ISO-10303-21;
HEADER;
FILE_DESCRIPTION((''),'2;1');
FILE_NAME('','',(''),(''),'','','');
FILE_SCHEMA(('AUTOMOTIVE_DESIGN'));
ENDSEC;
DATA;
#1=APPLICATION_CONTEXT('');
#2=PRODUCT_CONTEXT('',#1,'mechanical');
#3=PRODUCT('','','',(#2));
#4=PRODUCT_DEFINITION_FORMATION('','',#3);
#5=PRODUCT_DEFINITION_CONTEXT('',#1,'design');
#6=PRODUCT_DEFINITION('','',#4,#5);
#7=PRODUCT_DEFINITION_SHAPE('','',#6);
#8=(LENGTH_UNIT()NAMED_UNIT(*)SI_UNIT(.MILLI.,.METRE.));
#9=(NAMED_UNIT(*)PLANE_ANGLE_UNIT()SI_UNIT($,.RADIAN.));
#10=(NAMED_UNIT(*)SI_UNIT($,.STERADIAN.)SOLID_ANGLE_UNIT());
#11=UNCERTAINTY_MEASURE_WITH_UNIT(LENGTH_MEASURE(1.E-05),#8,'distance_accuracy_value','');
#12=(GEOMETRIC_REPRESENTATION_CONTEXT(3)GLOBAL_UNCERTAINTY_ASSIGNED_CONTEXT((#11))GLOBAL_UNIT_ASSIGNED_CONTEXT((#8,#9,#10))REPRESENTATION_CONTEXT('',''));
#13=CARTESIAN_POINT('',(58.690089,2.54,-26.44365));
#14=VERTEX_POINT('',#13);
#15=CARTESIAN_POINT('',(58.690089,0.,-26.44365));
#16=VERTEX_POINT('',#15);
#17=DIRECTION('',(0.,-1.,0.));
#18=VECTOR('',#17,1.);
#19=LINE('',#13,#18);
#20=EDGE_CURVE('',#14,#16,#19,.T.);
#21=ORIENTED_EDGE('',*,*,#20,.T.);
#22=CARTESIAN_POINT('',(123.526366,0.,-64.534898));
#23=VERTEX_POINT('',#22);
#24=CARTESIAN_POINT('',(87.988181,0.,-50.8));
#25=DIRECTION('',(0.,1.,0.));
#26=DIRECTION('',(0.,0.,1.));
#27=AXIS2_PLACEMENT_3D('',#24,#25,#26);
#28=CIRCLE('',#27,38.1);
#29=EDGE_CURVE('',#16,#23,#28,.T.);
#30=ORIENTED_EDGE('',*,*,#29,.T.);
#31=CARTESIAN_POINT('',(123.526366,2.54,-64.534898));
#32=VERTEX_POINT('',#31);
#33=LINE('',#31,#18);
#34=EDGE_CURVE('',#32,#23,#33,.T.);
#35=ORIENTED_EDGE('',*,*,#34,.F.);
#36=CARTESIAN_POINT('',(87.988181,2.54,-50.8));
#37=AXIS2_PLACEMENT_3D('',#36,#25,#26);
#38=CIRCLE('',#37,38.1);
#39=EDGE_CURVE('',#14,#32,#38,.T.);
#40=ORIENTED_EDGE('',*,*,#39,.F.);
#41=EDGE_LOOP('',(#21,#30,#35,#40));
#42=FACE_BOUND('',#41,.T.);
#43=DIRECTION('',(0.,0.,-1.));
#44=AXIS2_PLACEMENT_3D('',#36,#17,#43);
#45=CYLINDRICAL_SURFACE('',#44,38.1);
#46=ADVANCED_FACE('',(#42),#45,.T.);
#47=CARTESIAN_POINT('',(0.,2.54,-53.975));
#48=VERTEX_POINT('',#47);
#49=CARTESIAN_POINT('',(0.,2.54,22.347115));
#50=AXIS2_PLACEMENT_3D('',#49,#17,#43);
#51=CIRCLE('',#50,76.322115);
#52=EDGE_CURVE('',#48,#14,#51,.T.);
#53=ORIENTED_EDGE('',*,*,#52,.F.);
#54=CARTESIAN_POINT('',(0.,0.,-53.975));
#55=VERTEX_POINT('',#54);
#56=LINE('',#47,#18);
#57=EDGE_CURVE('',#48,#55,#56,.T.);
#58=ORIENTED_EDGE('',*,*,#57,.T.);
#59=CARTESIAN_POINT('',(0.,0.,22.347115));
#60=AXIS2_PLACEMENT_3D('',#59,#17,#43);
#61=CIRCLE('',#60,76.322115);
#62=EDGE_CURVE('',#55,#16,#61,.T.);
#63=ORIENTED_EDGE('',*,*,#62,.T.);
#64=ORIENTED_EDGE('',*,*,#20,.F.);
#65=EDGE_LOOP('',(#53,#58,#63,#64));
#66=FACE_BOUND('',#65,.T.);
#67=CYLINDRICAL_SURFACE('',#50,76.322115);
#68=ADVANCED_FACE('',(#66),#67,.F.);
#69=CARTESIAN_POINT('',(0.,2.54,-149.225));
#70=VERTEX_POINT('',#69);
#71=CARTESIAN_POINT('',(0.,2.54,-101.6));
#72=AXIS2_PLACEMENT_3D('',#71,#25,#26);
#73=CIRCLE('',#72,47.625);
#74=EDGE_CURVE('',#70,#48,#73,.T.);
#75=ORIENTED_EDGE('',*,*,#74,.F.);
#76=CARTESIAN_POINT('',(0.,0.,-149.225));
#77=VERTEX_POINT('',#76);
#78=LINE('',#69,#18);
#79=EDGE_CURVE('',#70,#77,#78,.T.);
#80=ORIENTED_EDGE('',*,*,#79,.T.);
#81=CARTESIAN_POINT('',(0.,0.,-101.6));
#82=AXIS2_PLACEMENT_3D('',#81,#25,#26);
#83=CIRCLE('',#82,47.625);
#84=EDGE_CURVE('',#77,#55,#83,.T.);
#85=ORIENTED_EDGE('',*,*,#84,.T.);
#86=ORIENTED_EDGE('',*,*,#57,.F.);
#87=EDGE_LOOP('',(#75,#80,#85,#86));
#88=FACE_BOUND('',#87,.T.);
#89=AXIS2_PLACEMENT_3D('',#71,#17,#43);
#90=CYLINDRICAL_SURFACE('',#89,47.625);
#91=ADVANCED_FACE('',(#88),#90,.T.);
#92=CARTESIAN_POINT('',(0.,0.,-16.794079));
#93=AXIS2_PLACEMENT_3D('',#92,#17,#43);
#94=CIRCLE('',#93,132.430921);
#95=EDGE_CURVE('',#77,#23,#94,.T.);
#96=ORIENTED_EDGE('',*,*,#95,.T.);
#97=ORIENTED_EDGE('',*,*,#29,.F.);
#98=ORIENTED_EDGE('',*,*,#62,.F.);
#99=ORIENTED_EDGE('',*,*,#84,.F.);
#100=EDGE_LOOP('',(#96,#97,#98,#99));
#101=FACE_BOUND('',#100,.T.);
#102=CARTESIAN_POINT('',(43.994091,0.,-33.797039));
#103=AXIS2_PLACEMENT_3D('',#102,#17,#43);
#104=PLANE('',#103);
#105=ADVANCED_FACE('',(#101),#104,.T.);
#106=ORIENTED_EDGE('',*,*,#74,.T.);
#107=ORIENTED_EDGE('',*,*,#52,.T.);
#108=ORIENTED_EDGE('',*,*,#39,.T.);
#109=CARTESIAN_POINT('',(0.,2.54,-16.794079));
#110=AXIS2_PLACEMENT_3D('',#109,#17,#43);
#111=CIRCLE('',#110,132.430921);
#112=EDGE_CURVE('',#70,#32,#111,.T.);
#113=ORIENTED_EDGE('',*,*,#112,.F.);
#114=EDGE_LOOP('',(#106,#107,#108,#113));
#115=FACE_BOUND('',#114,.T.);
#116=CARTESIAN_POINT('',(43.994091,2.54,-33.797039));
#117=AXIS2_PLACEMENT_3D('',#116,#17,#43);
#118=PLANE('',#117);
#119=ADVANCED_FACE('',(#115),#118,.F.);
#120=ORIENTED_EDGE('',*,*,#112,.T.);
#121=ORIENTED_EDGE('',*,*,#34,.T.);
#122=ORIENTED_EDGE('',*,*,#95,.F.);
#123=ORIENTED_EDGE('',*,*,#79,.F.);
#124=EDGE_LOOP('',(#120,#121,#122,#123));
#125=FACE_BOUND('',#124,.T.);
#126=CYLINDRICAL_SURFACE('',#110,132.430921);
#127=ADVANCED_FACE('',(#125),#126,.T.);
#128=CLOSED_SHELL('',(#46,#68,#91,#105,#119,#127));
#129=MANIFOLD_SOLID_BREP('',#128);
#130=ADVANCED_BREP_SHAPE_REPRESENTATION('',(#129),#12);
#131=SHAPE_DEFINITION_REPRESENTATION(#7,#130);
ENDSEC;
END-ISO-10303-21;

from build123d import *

# Parameters (mm, degrees)
BOSS_EXTRUDE1_DEPTH = 2.54


with BuildPart() as part:
    # Sketch1 → Boss-Extrude1 (new body)
    with BuildSketch(Plane(origin=(0, 0, 0), x_dir=(1, 0, 0), z_dir=(0, 1, 0))):
        with BuildLine():
            ThreePointArc((0, 149.225), (-47.625, 101.6), (0, 53.975))
            ThreePointArc((0, 53.975), (32.413352769, 46.750206264), (58.69008873, 26.443649947))
            ThreePointArc((58.69008873, 26.443649947), (107.287675463, 17.94974103), (123.526365743, 64.53489814))
            ThreePointArc((123.526365743, 64.53489814), (74.885206127, 126.019326735), (0, 149.225))
        make_face()
    extrude(amount=BOSS_EXTRUDE1_DEPTH)


solid = part.part
